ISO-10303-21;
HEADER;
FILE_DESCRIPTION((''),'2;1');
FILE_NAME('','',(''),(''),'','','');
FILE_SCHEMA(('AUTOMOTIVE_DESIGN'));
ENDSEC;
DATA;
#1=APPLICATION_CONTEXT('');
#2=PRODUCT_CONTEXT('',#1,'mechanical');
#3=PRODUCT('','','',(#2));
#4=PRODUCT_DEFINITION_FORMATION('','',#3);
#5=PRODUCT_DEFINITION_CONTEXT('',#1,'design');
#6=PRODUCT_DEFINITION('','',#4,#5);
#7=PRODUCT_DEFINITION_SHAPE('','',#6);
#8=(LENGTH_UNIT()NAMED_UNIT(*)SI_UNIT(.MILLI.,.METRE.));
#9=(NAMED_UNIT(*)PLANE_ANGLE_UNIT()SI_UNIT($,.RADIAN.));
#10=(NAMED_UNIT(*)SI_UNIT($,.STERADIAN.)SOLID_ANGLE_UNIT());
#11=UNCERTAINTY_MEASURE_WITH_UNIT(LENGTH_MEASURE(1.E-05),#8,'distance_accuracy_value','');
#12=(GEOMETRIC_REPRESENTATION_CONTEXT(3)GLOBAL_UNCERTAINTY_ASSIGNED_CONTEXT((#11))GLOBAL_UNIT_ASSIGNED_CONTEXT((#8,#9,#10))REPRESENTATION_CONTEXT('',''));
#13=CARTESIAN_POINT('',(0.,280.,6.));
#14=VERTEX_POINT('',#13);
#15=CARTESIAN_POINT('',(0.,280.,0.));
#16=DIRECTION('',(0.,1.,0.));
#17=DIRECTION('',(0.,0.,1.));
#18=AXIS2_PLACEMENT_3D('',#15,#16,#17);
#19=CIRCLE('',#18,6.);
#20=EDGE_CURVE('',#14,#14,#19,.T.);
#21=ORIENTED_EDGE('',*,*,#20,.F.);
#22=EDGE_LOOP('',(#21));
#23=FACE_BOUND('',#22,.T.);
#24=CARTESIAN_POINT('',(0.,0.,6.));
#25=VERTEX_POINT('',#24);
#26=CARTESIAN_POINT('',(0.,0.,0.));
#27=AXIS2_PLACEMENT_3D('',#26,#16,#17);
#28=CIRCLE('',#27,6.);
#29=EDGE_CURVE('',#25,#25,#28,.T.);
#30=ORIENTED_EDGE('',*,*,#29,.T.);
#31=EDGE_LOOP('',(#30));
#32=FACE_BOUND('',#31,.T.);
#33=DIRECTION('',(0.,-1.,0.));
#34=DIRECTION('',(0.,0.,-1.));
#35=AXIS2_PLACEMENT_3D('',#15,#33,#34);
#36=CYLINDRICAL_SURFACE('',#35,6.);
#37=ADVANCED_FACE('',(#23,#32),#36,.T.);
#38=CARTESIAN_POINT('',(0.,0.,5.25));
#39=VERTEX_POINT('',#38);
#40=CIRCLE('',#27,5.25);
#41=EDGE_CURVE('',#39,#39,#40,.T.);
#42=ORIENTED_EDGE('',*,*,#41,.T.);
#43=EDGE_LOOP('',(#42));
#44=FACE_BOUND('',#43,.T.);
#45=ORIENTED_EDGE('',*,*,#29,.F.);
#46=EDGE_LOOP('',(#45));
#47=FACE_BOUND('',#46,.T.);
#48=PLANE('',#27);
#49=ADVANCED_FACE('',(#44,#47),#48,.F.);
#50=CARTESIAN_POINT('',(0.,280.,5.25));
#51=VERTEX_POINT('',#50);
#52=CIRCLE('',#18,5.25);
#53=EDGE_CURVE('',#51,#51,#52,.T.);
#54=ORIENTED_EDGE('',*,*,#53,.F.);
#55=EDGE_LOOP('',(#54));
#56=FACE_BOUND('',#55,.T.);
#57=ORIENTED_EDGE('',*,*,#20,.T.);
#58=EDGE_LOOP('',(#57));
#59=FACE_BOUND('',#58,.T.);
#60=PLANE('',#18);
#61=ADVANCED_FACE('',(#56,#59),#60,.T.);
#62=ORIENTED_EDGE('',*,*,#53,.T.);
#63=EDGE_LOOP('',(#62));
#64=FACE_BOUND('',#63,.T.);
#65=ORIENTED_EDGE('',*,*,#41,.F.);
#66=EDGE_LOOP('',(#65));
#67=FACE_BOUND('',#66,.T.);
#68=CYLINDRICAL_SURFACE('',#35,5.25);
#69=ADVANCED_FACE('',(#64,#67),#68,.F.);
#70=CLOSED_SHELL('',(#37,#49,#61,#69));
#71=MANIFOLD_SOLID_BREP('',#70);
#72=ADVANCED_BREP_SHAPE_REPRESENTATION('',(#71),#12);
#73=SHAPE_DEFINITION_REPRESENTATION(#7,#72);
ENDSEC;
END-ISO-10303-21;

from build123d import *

# Parameters (mm, degrees)
SKETCH_1_R      = 6
SKETCH_1_R_2    = 5.25
EXTRUDE_1_DEPTH = 280


with BuildPart() as part:
    # Эскиз1 → Бобышка-Вытянуть1 (new body)
    with BuildSketch(Plane(origin=(0, 0, 0), x_dir=(1, 0, 0), z_dir=(0, 1, 0))):
        Circle(SKETCH_1_R)
        Circle(SKETCH_1_R_2, mode=Mode.SUBTRACT)
    extrude(amount=EXTRUDE_1_DEPTH)


solid = part.part
